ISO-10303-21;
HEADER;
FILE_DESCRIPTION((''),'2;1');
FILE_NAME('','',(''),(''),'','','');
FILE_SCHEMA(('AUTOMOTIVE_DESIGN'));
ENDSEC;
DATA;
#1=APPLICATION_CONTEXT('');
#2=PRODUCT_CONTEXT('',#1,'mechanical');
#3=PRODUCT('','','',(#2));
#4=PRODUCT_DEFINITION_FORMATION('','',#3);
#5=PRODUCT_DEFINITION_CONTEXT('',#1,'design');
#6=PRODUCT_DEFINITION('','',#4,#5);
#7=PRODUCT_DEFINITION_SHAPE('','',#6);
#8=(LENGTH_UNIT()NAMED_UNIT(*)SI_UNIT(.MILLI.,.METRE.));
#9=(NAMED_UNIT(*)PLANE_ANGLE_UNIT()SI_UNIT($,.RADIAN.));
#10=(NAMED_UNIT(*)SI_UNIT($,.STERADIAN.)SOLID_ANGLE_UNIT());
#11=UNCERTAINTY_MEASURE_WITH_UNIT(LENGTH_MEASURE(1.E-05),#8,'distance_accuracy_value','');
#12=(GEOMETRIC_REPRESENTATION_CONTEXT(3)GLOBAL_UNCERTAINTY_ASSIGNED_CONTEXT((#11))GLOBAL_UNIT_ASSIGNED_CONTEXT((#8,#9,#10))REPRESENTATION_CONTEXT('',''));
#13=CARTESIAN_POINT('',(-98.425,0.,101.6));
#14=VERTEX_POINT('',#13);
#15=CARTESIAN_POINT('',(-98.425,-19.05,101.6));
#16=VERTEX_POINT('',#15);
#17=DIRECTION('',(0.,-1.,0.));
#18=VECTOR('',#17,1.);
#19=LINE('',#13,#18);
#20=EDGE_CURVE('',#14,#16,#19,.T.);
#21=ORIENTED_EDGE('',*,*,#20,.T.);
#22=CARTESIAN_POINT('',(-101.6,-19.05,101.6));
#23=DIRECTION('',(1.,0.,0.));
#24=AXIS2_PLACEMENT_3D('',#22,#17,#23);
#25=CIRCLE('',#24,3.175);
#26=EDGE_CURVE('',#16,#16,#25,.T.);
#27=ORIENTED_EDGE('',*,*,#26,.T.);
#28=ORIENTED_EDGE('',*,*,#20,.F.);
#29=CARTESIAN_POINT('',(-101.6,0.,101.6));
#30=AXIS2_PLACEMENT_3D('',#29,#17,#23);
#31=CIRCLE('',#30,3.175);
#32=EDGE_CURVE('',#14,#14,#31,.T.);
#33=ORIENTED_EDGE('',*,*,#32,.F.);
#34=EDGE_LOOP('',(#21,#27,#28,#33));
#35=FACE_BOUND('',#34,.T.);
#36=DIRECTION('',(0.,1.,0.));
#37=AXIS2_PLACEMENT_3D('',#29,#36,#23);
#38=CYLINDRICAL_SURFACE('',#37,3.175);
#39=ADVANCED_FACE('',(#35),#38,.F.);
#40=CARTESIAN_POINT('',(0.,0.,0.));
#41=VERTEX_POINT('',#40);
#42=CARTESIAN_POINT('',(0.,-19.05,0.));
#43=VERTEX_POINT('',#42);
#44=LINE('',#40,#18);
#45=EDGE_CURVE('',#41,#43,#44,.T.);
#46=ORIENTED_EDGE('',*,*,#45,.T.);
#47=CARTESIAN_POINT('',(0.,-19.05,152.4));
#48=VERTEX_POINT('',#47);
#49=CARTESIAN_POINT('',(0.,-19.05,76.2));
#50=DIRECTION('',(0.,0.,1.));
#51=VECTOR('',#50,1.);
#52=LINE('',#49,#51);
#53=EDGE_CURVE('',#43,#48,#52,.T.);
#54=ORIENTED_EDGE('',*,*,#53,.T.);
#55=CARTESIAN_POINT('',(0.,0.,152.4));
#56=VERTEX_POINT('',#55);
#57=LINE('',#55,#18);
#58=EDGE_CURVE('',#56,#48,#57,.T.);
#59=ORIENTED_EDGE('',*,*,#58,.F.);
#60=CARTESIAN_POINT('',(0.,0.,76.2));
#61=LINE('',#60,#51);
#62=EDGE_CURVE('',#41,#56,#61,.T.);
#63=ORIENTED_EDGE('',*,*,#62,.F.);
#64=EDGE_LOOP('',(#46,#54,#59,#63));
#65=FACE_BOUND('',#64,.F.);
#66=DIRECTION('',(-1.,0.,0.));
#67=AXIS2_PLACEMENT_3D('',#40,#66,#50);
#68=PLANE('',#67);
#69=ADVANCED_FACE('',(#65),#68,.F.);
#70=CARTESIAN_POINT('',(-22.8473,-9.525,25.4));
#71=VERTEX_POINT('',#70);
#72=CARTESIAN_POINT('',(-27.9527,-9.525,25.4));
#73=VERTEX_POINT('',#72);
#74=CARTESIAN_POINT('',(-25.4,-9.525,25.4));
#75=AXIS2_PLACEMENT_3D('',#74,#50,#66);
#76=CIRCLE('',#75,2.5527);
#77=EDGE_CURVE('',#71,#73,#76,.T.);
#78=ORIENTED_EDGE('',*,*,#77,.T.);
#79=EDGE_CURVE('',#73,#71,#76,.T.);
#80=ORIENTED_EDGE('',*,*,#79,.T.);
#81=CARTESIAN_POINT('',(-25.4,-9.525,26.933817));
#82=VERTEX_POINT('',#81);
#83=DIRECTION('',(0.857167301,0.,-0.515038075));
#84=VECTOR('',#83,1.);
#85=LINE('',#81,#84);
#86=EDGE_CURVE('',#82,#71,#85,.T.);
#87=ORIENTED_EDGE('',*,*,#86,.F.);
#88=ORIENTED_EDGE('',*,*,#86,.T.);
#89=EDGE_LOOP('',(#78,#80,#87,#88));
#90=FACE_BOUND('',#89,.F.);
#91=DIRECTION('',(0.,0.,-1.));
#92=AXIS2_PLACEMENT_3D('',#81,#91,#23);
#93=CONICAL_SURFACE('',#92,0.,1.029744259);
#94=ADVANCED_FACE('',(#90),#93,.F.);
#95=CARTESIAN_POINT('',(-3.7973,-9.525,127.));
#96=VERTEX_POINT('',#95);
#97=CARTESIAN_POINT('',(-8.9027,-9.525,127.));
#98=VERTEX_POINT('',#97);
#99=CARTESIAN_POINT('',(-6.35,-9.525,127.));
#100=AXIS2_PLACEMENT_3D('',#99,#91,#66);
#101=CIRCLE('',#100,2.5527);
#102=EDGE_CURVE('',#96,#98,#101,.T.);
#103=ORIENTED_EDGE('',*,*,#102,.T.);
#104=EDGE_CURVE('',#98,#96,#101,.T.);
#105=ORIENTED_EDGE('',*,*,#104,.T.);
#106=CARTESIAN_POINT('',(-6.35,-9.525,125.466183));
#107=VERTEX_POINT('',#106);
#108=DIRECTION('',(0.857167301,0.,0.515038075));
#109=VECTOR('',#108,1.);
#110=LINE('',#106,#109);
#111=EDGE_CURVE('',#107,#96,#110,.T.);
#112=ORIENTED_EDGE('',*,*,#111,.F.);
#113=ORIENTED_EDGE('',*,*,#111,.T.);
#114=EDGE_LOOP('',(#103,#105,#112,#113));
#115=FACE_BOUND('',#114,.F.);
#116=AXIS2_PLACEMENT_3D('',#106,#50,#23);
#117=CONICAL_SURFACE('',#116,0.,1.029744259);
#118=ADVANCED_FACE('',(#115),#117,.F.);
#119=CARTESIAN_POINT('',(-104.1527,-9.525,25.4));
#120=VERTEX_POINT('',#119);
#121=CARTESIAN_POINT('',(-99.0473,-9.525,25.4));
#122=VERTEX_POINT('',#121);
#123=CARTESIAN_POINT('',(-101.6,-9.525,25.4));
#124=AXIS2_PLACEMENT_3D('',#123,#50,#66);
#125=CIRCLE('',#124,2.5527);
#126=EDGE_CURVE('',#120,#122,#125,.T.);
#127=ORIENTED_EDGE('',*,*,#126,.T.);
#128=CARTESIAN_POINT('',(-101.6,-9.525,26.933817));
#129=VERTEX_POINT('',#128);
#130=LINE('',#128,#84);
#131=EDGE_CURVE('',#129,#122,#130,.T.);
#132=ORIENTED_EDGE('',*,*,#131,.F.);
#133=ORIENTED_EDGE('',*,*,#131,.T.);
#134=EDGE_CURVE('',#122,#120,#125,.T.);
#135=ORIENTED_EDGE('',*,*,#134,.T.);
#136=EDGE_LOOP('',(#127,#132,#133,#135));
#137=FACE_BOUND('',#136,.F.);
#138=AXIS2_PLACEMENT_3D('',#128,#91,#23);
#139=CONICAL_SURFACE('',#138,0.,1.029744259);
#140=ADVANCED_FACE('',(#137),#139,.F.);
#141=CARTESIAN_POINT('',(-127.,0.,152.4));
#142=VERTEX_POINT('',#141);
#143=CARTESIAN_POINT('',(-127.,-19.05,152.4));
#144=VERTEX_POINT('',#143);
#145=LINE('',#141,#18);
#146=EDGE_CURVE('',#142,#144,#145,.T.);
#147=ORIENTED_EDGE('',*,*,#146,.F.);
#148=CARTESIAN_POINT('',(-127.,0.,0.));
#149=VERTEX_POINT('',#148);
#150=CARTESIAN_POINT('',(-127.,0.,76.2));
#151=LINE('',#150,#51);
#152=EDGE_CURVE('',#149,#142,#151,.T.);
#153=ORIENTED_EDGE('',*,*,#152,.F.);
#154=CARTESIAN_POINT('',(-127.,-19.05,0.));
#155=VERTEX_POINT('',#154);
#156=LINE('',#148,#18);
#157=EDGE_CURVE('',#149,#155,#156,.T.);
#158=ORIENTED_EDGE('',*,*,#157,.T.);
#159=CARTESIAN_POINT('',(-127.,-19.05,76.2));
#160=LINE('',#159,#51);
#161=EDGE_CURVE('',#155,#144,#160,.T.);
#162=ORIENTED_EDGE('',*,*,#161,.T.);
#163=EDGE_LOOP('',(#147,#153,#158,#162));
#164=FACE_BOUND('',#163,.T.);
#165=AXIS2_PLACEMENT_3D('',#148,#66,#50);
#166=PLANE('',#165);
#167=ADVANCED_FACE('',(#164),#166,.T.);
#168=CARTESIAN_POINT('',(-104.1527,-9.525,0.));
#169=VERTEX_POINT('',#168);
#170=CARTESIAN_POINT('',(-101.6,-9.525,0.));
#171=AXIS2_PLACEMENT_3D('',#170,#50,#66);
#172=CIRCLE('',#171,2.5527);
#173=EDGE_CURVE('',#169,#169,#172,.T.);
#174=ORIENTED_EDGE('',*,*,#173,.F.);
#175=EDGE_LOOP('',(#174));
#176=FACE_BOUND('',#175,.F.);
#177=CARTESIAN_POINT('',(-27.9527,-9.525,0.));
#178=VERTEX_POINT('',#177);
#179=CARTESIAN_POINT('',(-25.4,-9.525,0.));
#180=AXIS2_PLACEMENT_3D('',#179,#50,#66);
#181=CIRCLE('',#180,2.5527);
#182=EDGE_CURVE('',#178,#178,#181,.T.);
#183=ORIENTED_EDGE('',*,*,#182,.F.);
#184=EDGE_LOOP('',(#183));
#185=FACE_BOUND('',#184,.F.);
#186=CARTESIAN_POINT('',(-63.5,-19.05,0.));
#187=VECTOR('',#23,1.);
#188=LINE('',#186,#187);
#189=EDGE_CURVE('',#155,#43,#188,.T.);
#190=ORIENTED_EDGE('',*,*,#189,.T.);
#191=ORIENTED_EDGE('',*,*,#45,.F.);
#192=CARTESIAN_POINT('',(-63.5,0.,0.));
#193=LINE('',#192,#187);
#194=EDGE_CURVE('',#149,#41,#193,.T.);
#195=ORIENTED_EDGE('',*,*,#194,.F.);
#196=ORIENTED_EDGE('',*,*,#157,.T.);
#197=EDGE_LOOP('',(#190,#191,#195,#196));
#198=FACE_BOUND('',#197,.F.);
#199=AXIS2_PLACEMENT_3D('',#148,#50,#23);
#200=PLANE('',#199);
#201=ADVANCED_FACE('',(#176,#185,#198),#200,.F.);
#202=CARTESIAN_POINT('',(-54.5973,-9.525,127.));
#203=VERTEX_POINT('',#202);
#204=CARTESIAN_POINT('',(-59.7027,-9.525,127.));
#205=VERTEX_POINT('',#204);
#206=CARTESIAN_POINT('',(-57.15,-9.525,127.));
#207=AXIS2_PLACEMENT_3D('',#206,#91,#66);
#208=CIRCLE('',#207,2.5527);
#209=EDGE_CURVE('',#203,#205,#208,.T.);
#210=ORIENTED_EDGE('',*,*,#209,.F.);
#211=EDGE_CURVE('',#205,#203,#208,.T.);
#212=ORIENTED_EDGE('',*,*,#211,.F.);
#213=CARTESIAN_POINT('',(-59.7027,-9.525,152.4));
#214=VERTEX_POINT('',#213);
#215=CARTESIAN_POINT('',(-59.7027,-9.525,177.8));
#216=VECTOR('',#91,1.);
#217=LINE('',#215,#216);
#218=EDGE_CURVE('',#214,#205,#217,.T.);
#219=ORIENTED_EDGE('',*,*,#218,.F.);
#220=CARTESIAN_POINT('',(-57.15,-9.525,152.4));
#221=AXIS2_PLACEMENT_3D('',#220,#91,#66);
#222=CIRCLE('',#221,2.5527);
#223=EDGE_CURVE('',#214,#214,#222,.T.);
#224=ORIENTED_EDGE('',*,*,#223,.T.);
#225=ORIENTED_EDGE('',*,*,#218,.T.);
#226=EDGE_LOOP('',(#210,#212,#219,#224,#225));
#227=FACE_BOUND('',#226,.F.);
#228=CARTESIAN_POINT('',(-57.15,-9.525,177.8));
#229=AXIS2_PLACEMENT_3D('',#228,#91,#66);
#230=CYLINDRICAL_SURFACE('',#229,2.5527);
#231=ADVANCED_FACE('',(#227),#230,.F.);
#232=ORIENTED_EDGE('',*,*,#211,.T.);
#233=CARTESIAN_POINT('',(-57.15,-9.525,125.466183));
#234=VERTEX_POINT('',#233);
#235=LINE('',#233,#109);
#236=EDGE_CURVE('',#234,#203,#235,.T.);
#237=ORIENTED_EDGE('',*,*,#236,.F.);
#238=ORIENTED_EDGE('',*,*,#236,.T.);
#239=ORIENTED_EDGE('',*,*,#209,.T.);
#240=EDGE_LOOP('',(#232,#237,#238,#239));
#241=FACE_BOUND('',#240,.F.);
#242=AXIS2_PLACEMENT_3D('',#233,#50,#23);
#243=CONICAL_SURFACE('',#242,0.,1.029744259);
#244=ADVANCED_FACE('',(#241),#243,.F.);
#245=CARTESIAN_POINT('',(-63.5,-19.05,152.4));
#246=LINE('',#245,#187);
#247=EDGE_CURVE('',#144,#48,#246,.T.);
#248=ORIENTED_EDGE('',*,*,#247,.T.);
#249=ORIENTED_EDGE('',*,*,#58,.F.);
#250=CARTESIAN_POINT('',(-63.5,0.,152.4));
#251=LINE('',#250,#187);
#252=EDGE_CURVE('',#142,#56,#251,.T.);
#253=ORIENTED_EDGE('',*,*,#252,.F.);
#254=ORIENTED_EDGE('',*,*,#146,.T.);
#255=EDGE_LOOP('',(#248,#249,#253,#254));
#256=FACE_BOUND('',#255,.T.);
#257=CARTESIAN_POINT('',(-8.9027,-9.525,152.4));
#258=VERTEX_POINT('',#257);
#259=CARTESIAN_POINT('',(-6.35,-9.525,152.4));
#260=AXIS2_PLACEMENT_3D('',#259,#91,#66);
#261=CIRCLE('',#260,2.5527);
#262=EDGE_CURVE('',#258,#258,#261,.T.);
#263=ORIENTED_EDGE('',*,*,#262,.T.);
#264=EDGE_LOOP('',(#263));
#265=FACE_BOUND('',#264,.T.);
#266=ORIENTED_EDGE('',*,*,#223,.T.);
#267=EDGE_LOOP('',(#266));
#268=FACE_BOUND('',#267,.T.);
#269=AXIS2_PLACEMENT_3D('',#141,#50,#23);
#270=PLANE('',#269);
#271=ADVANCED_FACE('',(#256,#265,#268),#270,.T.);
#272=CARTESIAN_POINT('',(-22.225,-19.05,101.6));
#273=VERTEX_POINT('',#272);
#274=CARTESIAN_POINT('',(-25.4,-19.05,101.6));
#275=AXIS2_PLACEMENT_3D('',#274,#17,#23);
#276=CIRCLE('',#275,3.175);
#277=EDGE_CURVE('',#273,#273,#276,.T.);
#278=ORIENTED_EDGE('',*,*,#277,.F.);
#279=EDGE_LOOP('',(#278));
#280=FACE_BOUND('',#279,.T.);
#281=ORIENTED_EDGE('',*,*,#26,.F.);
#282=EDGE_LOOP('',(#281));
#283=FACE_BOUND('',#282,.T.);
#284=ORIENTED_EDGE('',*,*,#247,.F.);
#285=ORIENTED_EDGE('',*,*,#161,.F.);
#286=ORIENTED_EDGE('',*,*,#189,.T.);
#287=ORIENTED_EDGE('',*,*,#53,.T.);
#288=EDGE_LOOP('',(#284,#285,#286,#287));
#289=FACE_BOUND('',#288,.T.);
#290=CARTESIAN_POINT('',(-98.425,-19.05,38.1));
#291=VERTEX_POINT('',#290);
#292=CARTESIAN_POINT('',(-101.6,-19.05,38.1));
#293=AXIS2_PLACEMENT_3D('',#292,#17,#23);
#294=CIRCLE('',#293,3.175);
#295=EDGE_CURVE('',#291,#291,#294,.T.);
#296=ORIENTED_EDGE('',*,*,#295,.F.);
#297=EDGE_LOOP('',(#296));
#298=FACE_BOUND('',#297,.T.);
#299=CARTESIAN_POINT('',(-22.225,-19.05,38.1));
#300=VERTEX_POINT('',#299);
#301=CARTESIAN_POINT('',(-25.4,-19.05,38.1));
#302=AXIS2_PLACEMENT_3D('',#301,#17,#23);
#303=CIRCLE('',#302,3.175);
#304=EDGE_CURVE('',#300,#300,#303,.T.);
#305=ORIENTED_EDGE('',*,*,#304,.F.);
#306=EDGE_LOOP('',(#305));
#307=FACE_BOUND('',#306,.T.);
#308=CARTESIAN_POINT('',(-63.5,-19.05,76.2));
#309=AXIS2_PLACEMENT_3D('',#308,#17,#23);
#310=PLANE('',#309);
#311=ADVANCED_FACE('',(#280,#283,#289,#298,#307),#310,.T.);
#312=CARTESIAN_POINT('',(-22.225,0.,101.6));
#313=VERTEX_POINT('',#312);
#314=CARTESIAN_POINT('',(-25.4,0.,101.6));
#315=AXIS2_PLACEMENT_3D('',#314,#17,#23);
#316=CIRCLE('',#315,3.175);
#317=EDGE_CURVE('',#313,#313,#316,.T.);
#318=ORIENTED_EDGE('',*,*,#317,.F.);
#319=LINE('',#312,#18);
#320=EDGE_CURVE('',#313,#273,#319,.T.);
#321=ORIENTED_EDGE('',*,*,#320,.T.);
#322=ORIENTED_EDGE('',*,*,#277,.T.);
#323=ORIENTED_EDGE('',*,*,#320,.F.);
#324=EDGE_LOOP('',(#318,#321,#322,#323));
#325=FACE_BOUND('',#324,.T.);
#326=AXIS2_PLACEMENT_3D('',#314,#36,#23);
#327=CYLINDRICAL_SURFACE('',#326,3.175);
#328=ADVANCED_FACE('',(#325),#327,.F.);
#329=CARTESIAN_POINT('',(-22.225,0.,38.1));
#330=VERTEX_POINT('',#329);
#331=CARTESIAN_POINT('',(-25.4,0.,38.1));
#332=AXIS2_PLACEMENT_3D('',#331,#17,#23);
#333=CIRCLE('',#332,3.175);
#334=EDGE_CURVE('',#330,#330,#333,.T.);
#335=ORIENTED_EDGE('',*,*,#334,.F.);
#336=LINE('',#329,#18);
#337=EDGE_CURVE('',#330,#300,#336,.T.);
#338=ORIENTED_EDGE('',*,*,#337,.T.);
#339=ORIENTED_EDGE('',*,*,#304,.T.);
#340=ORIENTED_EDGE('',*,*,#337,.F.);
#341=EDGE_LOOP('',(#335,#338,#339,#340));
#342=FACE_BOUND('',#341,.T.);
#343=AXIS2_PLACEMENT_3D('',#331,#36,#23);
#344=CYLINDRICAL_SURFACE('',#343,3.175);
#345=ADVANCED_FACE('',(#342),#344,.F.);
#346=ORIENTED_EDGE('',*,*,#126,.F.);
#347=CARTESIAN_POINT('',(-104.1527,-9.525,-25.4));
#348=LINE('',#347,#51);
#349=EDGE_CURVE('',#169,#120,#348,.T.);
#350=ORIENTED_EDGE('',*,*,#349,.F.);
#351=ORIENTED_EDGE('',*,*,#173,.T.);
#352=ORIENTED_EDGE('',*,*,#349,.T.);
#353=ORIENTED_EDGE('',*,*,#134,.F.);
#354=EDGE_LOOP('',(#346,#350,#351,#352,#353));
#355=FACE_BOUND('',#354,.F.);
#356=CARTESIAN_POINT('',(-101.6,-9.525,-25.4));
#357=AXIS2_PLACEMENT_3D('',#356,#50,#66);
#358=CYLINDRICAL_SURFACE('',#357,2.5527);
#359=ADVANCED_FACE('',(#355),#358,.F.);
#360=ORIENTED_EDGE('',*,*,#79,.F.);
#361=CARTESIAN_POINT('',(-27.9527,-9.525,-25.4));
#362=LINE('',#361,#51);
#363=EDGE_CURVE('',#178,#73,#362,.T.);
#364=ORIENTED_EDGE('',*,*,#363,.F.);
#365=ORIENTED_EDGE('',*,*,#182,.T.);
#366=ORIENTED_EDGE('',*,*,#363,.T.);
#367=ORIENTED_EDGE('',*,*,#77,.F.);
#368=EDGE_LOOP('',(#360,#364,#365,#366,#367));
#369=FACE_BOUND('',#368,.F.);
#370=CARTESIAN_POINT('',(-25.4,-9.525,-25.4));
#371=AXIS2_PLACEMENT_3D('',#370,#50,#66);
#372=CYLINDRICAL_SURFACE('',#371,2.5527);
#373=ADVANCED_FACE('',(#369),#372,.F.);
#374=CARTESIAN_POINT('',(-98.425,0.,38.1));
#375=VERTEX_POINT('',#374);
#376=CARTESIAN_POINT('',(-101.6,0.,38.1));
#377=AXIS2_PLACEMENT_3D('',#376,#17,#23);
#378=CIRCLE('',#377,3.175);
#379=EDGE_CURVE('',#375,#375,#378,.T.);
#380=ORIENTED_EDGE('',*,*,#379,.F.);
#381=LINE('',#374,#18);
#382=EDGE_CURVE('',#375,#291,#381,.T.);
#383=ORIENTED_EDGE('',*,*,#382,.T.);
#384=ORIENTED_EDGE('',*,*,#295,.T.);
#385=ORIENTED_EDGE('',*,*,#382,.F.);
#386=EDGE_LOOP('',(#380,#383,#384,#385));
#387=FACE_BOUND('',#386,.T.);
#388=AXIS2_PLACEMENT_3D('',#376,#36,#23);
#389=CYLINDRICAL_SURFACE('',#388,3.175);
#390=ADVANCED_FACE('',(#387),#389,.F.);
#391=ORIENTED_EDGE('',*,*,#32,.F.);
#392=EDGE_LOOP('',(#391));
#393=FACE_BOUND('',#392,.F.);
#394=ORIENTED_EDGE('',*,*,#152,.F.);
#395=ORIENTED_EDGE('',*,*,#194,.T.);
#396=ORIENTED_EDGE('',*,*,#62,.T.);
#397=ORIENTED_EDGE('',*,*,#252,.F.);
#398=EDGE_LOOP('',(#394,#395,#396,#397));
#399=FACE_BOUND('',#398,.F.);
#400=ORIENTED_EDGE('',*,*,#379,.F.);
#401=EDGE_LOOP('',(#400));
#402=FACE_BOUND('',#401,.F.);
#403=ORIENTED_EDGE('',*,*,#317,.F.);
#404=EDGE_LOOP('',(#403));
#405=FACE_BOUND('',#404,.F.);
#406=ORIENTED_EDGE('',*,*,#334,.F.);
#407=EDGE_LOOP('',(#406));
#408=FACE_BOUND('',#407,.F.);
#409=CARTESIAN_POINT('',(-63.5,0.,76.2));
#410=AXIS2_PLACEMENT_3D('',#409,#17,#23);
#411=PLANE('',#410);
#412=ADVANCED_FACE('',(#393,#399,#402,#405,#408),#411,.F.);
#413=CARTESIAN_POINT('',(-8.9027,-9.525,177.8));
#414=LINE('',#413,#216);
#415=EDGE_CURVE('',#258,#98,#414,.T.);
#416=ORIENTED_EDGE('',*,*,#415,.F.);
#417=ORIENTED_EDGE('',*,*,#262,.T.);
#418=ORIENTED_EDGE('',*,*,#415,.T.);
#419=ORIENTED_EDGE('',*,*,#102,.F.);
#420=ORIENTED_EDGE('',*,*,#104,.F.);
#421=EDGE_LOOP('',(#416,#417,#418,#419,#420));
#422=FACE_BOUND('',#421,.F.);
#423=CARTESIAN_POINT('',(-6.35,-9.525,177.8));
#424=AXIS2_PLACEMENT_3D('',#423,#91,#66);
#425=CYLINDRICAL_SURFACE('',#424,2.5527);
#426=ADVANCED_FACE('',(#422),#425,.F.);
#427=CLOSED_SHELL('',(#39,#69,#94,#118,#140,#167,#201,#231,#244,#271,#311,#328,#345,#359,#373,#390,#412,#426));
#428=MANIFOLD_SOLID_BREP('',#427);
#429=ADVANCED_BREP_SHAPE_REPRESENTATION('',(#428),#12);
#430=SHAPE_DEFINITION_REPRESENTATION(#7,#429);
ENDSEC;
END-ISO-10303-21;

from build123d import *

# Parameters (mm, degrees)
F0_W     = 127
F0_H     = 152.4
F0_R     = 3.175
F1_DEPTH = 19.05
F3_D     = 5.1054
F3_DEPTH = 25.4
F3_TIP   = 1.5338169022
F5_D     = 5.1054
F5_DEPTH = 25.4
F5_TIP   = 1.5338169022
F6_D     = 5.1054
F6_DEPTH = 25.4
F6_TIP   = 1.5338169022


with BuildPart() as f1:
    # F0 (on Front) → F1 (new body)
    with BuildSketch(Plane.XZ):
        with Locations((-63.5, 76.2)):
            Rectangle(F0_W, F0_H)
        with Locations((-101.6, 38.1)):
            Circle(F0_R, mode=Mode.SUBTRACT)
        with Locations((-25.4, 38.1)):
            Circle(F0_R, mode=Mode.SUBTRACT)
        with Locations((-101.6, 101.6)):
            Circle(F0_R, mode=Mode.SUBTRACT)
        with Locations((-25.4, 101.6)):
            Circle(F0_R, mode=Mode.SUBTRACT)
    extrude(amount=F1_DEPTH)

    # F3
    with Locations(Plane(origin=(0, 0, 0), x_dir=(1, 0, 0), z_dir=(0, 0, -1))):
        with Locations((-101.6, 9.525), (-25.4, 9.525)):
            Hole(F3_D / 2, depth=F3_DEPTH)
            with Locations((0, 0, -(F3_DEPTH + F3_TIP / 2))):  # 118° drill point
                Cone(0, F3_D / 2, F3_TIP, mode=Mode.SUBTRACT)

    # F5
    with Locations(Plane.XY.offset(152.4)):
        with Locations((-57.15, -9.525)):
            Hole(F5_D / 2, depth=F5_DEPTH)
            with Locations((0, 0, -(F5_DEPTH + F5_TIP / 2))):  # 118° drill point
                Cone(0, F5_D / 2, F5_TIP, mode=Mode.SUBTRACT)

    # F6
    with Locations(Plane.XY.offset(152.4)):
        with Locations((-6.35, -9.525)):
            Hole(F6_D / 2, depth=F6_DEPTH)
            with Locations((0, 0, -(F6_DEPTH + F6_TIP / 2))):  # 118° drill point
                Cone(0, F6_D / 2, F6_TIP, mode=Mode.SUBTRACT)


solid = f1.part
